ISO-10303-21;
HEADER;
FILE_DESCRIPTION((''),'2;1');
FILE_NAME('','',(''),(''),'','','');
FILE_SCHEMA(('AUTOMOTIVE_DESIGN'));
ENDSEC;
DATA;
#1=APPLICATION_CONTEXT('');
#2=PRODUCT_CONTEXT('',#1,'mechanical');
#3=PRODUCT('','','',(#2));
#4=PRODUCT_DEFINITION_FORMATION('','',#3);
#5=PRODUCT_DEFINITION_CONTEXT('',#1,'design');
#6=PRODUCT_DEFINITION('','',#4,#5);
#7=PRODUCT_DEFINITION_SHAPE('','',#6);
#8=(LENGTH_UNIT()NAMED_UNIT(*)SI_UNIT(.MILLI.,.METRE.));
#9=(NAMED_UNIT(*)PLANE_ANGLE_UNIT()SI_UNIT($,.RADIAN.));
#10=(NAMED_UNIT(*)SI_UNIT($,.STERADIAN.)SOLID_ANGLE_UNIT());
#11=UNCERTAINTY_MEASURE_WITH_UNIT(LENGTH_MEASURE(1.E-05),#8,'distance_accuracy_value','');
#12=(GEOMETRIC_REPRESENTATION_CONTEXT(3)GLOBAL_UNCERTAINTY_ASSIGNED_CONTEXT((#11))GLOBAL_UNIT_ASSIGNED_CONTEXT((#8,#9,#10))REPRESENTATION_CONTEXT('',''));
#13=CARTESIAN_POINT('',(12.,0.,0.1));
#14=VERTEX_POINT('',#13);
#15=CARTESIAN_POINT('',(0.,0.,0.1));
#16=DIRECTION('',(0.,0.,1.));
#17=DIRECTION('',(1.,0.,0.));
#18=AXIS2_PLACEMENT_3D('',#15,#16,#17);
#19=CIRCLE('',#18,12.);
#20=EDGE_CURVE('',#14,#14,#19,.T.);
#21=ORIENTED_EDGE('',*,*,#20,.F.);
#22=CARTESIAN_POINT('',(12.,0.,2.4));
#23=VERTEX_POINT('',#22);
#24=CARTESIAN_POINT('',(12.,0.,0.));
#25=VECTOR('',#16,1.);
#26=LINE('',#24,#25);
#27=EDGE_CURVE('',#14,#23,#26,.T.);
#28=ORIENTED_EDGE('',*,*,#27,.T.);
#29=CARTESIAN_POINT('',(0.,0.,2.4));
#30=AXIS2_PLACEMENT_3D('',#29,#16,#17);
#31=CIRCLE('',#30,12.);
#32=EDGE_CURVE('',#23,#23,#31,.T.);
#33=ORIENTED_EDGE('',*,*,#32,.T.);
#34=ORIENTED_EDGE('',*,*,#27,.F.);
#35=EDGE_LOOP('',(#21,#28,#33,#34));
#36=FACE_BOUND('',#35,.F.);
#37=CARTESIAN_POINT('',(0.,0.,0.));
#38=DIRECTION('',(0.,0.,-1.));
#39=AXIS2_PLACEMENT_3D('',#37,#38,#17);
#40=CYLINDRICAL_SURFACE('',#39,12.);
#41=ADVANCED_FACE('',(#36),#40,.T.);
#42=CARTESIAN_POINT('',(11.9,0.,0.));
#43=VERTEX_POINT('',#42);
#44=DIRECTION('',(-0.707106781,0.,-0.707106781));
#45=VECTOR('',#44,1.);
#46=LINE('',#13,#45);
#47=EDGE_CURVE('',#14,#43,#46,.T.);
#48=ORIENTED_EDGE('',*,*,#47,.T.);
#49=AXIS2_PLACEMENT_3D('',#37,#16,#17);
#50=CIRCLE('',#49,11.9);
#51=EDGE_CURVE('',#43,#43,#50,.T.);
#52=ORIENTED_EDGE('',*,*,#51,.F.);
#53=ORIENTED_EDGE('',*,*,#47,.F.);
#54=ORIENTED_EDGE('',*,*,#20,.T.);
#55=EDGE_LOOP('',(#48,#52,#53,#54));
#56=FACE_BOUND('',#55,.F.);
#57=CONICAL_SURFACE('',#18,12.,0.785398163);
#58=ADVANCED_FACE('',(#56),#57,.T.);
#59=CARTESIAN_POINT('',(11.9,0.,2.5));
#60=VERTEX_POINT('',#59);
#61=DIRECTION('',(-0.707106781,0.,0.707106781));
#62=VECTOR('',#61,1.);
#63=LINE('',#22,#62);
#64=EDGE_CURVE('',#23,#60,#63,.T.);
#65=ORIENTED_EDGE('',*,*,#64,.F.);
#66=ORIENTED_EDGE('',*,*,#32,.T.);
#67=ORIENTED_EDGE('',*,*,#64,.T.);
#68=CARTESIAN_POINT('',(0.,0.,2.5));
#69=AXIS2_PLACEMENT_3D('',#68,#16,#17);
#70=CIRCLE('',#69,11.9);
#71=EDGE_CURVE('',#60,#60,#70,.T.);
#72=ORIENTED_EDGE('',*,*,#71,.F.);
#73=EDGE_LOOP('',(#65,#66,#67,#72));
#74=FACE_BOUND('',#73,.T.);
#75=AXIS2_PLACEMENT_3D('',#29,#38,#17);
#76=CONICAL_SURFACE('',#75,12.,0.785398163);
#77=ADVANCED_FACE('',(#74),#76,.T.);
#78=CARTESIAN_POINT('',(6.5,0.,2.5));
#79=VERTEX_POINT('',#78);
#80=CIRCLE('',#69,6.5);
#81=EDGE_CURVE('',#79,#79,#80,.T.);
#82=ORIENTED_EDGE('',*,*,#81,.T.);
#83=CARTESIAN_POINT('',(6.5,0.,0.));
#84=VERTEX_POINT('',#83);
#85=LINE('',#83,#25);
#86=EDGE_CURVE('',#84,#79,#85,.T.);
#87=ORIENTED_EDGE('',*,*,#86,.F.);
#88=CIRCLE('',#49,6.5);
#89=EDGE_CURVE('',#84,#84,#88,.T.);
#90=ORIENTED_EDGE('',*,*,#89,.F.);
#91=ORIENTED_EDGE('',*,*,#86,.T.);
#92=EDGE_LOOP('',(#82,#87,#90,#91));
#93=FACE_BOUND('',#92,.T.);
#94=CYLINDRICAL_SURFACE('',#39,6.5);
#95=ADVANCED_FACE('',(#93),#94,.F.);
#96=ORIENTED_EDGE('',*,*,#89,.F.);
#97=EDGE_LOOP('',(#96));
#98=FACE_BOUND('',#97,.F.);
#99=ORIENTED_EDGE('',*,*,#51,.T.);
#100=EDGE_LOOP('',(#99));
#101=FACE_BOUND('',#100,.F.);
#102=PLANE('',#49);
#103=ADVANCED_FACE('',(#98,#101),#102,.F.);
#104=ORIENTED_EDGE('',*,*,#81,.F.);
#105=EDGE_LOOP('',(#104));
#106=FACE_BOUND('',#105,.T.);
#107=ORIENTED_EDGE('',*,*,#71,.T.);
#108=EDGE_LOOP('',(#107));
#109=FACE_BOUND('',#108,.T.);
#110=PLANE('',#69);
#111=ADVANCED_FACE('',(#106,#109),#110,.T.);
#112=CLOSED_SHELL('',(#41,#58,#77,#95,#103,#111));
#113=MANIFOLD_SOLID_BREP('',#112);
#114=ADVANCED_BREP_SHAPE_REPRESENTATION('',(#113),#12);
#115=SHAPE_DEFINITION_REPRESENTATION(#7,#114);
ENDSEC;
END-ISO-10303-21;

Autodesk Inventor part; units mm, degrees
ref_plane "YZ Plane" through (0, 0, 0) normal (1, 0, 0) x (0, 1, 0)
ref_plane "XZ Plane" through (0, 0, 0) normal (0, 1, 0) x (-1, 0, 0)
ref_plane "XY Plane" through (0, 0, 0) normal (0, 0, 1) x (1, 0, 0)
sketch "Sketch1" plane through (0, 0, 0) normal (0, 0, 1) x (1, 0, 0)
  circle A0 centre (0, 0) radius 12
  circle A1 centre (0, 0) radius 6.5
  dimension "d0" = 13
  dimension "d1" = 24
extrude "Extrusion1" add sketch "Sketch1" along normal blind 2.5
chamfer "Chamfer1" distance 0.1 angle 45 2 edges at (-12, 0, 2.5) (-12, 0, 0)
properties part number "M12 rodela"
